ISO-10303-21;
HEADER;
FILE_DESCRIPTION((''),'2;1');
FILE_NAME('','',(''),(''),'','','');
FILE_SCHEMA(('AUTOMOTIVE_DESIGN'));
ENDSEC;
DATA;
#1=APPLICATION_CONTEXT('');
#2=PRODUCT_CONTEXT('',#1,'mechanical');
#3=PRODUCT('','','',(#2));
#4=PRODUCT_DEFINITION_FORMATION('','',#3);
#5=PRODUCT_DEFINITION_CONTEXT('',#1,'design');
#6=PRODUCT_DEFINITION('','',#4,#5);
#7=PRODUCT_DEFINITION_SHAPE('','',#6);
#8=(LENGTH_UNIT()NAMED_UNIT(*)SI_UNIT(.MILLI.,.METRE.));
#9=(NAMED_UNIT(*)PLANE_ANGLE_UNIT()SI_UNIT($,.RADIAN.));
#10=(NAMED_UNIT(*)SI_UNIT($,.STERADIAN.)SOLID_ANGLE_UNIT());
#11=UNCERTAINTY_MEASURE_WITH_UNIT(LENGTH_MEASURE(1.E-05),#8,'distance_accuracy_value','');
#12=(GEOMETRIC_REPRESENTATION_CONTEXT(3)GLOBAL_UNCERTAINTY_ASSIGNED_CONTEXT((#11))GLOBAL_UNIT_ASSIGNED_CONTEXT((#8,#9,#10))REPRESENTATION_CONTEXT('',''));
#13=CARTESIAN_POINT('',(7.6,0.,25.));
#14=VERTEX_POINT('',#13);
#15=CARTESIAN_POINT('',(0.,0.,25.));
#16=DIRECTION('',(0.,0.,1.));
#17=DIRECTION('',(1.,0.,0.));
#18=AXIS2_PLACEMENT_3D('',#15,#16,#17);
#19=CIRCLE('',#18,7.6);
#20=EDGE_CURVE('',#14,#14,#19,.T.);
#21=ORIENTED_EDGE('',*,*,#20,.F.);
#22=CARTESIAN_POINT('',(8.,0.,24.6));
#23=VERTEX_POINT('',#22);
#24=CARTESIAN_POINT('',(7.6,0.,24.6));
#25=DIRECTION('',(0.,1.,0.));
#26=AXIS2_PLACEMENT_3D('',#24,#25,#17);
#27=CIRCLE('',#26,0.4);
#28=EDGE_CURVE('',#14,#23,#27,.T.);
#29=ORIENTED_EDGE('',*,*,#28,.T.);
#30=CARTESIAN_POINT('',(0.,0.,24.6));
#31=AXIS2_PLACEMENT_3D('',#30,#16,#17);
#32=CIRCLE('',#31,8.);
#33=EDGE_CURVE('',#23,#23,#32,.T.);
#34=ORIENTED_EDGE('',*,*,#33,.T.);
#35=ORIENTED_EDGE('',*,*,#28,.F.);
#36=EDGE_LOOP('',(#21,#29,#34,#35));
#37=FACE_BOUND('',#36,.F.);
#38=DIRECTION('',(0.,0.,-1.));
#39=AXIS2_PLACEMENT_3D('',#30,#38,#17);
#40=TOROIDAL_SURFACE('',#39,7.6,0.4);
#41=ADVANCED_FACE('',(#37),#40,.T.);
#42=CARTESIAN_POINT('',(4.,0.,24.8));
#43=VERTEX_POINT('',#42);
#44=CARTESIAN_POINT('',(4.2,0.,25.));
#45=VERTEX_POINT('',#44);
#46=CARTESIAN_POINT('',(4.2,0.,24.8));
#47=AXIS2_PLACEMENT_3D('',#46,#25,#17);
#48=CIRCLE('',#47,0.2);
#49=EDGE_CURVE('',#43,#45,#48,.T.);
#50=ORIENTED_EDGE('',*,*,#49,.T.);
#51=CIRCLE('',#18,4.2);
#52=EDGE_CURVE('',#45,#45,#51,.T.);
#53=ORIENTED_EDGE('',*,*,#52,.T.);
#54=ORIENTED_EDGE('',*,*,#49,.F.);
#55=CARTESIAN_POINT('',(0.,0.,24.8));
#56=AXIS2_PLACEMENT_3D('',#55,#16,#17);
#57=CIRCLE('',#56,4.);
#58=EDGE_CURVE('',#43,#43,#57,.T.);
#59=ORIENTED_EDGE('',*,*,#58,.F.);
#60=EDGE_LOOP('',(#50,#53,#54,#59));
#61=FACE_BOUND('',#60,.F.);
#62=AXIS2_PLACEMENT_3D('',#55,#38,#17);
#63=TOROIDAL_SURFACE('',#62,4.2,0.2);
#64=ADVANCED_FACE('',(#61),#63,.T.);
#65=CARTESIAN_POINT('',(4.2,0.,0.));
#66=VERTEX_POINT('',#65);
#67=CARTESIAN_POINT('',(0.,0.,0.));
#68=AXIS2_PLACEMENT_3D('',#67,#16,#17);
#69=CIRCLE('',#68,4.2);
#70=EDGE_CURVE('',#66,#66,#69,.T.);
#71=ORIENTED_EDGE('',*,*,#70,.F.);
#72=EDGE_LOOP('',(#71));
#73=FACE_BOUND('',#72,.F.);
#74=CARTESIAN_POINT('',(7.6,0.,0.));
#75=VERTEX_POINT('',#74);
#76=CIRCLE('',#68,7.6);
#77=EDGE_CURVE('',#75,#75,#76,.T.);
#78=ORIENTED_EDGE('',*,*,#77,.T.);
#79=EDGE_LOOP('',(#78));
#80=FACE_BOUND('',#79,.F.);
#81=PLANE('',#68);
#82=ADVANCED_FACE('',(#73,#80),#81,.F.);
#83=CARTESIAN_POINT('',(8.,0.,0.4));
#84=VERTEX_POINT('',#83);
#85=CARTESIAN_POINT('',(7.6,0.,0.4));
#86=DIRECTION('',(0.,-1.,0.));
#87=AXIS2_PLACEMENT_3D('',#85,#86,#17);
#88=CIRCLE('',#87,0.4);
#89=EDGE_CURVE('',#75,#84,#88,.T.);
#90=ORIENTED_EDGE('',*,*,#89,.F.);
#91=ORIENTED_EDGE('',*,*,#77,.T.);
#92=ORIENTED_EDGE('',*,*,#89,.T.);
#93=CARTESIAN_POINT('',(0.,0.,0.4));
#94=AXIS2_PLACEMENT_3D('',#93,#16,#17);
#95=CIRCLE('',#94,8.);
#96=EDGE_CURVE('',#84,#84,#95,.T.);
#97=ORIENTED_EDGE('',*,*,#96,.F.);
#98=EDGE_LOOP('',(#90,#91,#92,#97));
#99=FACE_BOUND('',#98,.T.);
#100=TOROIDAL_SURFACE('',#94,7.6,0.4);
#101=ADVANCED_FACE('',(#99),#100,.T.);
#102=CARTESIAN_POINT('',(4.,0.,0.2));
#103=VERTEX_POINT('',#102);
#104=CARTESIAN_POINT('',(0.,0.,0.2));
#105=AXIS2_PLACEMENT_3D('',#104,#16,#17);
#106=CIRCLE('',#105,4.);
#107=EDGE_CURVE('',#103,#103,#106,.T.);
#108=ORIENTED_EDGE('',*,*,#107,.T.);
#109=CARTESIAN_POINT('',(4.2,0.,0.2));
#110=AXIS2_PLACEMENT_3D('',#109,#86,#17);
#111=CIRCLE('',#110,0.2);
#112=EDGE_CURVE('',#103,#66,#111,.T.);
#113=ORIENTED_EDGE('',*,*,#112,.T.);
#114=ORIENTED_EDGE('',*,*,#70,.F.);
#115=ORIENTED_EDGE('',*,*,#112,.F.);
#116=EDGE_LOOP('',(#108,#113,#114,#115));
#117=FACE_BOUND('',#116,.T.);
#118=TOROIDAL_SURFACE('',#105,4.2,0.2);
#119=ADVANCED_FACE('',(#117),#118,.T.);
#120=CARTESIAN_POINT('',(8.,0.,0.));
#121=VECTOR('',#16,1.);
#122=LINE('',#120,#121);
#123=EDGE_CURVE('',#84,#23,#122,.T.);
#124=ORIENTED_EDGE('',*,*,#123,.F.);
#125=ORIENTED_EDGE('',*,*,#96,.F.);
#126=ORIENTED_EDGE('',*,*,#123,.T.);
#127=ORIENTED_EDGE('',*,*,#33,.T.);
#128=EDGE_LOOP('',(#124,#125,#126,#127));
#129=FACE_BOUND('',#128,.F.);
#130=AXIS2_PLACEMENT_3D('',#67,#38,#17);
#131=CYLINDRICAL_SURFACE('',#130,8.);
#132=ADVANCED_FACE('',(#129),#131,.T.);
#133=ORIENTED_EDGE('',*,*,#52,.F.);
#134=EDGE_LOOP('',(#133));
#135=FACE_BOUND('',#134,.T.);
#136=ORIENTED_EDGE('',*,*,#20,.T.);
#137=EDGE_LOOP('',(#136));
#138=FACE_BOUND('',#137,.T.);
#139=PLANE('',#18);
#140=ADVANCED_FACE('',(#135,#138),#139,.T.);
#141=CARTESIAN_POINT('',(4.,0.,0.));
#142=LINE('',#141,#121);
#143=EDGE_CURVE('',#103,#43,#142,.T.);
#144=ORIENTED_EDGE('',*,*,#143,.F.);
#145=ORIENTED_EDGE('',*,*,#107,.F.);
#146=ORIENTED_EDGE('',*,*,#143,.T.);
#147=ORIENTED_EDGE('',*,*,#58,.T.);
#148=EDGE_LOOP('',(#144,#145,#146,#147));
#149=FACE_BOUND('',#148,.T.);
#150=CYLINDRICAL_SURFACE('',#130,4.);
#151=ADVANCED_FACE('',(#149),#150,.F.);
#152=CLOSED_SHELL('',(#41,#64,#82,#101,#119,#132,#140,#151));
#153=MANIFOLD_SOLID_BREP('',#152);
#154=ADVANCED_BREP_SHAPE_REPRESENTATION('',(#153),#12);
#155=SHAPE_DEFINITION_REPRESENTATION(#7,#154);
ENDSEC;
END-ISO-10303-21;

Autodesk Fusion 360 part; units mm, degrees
sketch "Sketch1" plane through (0, 0, 0) normal (0, 0, 1) x (1, 0, 0)
  circle A0 centre (0, 0) radius 8
  circle A1 centre (0, 0) radius 4
  dimension "d1" = 8
  dimension "d2" = 16
extrude "Extrude1" add sketch "Sketch1" along normal blind 25 makes body 1
fillet "Fillet1" radius 0.2 2 edges at (-3.7293, 1.4465, 25) (-3.7293, 1.4465, 0) on bodies 1
fillet "Fillet2" radius 0.4 2 edges at (-7.4586, -2.8929, 25) (-7.4586, -2.8929, 0) on bodies 1
copy_body "Body->Comp1" bodies 1 removing the originals makes body 2 in component "Component"
component "Component" placed x (1, 0, 0) y (0, 1, 0) z (0, 0, 1) at (0, 0, 0)
